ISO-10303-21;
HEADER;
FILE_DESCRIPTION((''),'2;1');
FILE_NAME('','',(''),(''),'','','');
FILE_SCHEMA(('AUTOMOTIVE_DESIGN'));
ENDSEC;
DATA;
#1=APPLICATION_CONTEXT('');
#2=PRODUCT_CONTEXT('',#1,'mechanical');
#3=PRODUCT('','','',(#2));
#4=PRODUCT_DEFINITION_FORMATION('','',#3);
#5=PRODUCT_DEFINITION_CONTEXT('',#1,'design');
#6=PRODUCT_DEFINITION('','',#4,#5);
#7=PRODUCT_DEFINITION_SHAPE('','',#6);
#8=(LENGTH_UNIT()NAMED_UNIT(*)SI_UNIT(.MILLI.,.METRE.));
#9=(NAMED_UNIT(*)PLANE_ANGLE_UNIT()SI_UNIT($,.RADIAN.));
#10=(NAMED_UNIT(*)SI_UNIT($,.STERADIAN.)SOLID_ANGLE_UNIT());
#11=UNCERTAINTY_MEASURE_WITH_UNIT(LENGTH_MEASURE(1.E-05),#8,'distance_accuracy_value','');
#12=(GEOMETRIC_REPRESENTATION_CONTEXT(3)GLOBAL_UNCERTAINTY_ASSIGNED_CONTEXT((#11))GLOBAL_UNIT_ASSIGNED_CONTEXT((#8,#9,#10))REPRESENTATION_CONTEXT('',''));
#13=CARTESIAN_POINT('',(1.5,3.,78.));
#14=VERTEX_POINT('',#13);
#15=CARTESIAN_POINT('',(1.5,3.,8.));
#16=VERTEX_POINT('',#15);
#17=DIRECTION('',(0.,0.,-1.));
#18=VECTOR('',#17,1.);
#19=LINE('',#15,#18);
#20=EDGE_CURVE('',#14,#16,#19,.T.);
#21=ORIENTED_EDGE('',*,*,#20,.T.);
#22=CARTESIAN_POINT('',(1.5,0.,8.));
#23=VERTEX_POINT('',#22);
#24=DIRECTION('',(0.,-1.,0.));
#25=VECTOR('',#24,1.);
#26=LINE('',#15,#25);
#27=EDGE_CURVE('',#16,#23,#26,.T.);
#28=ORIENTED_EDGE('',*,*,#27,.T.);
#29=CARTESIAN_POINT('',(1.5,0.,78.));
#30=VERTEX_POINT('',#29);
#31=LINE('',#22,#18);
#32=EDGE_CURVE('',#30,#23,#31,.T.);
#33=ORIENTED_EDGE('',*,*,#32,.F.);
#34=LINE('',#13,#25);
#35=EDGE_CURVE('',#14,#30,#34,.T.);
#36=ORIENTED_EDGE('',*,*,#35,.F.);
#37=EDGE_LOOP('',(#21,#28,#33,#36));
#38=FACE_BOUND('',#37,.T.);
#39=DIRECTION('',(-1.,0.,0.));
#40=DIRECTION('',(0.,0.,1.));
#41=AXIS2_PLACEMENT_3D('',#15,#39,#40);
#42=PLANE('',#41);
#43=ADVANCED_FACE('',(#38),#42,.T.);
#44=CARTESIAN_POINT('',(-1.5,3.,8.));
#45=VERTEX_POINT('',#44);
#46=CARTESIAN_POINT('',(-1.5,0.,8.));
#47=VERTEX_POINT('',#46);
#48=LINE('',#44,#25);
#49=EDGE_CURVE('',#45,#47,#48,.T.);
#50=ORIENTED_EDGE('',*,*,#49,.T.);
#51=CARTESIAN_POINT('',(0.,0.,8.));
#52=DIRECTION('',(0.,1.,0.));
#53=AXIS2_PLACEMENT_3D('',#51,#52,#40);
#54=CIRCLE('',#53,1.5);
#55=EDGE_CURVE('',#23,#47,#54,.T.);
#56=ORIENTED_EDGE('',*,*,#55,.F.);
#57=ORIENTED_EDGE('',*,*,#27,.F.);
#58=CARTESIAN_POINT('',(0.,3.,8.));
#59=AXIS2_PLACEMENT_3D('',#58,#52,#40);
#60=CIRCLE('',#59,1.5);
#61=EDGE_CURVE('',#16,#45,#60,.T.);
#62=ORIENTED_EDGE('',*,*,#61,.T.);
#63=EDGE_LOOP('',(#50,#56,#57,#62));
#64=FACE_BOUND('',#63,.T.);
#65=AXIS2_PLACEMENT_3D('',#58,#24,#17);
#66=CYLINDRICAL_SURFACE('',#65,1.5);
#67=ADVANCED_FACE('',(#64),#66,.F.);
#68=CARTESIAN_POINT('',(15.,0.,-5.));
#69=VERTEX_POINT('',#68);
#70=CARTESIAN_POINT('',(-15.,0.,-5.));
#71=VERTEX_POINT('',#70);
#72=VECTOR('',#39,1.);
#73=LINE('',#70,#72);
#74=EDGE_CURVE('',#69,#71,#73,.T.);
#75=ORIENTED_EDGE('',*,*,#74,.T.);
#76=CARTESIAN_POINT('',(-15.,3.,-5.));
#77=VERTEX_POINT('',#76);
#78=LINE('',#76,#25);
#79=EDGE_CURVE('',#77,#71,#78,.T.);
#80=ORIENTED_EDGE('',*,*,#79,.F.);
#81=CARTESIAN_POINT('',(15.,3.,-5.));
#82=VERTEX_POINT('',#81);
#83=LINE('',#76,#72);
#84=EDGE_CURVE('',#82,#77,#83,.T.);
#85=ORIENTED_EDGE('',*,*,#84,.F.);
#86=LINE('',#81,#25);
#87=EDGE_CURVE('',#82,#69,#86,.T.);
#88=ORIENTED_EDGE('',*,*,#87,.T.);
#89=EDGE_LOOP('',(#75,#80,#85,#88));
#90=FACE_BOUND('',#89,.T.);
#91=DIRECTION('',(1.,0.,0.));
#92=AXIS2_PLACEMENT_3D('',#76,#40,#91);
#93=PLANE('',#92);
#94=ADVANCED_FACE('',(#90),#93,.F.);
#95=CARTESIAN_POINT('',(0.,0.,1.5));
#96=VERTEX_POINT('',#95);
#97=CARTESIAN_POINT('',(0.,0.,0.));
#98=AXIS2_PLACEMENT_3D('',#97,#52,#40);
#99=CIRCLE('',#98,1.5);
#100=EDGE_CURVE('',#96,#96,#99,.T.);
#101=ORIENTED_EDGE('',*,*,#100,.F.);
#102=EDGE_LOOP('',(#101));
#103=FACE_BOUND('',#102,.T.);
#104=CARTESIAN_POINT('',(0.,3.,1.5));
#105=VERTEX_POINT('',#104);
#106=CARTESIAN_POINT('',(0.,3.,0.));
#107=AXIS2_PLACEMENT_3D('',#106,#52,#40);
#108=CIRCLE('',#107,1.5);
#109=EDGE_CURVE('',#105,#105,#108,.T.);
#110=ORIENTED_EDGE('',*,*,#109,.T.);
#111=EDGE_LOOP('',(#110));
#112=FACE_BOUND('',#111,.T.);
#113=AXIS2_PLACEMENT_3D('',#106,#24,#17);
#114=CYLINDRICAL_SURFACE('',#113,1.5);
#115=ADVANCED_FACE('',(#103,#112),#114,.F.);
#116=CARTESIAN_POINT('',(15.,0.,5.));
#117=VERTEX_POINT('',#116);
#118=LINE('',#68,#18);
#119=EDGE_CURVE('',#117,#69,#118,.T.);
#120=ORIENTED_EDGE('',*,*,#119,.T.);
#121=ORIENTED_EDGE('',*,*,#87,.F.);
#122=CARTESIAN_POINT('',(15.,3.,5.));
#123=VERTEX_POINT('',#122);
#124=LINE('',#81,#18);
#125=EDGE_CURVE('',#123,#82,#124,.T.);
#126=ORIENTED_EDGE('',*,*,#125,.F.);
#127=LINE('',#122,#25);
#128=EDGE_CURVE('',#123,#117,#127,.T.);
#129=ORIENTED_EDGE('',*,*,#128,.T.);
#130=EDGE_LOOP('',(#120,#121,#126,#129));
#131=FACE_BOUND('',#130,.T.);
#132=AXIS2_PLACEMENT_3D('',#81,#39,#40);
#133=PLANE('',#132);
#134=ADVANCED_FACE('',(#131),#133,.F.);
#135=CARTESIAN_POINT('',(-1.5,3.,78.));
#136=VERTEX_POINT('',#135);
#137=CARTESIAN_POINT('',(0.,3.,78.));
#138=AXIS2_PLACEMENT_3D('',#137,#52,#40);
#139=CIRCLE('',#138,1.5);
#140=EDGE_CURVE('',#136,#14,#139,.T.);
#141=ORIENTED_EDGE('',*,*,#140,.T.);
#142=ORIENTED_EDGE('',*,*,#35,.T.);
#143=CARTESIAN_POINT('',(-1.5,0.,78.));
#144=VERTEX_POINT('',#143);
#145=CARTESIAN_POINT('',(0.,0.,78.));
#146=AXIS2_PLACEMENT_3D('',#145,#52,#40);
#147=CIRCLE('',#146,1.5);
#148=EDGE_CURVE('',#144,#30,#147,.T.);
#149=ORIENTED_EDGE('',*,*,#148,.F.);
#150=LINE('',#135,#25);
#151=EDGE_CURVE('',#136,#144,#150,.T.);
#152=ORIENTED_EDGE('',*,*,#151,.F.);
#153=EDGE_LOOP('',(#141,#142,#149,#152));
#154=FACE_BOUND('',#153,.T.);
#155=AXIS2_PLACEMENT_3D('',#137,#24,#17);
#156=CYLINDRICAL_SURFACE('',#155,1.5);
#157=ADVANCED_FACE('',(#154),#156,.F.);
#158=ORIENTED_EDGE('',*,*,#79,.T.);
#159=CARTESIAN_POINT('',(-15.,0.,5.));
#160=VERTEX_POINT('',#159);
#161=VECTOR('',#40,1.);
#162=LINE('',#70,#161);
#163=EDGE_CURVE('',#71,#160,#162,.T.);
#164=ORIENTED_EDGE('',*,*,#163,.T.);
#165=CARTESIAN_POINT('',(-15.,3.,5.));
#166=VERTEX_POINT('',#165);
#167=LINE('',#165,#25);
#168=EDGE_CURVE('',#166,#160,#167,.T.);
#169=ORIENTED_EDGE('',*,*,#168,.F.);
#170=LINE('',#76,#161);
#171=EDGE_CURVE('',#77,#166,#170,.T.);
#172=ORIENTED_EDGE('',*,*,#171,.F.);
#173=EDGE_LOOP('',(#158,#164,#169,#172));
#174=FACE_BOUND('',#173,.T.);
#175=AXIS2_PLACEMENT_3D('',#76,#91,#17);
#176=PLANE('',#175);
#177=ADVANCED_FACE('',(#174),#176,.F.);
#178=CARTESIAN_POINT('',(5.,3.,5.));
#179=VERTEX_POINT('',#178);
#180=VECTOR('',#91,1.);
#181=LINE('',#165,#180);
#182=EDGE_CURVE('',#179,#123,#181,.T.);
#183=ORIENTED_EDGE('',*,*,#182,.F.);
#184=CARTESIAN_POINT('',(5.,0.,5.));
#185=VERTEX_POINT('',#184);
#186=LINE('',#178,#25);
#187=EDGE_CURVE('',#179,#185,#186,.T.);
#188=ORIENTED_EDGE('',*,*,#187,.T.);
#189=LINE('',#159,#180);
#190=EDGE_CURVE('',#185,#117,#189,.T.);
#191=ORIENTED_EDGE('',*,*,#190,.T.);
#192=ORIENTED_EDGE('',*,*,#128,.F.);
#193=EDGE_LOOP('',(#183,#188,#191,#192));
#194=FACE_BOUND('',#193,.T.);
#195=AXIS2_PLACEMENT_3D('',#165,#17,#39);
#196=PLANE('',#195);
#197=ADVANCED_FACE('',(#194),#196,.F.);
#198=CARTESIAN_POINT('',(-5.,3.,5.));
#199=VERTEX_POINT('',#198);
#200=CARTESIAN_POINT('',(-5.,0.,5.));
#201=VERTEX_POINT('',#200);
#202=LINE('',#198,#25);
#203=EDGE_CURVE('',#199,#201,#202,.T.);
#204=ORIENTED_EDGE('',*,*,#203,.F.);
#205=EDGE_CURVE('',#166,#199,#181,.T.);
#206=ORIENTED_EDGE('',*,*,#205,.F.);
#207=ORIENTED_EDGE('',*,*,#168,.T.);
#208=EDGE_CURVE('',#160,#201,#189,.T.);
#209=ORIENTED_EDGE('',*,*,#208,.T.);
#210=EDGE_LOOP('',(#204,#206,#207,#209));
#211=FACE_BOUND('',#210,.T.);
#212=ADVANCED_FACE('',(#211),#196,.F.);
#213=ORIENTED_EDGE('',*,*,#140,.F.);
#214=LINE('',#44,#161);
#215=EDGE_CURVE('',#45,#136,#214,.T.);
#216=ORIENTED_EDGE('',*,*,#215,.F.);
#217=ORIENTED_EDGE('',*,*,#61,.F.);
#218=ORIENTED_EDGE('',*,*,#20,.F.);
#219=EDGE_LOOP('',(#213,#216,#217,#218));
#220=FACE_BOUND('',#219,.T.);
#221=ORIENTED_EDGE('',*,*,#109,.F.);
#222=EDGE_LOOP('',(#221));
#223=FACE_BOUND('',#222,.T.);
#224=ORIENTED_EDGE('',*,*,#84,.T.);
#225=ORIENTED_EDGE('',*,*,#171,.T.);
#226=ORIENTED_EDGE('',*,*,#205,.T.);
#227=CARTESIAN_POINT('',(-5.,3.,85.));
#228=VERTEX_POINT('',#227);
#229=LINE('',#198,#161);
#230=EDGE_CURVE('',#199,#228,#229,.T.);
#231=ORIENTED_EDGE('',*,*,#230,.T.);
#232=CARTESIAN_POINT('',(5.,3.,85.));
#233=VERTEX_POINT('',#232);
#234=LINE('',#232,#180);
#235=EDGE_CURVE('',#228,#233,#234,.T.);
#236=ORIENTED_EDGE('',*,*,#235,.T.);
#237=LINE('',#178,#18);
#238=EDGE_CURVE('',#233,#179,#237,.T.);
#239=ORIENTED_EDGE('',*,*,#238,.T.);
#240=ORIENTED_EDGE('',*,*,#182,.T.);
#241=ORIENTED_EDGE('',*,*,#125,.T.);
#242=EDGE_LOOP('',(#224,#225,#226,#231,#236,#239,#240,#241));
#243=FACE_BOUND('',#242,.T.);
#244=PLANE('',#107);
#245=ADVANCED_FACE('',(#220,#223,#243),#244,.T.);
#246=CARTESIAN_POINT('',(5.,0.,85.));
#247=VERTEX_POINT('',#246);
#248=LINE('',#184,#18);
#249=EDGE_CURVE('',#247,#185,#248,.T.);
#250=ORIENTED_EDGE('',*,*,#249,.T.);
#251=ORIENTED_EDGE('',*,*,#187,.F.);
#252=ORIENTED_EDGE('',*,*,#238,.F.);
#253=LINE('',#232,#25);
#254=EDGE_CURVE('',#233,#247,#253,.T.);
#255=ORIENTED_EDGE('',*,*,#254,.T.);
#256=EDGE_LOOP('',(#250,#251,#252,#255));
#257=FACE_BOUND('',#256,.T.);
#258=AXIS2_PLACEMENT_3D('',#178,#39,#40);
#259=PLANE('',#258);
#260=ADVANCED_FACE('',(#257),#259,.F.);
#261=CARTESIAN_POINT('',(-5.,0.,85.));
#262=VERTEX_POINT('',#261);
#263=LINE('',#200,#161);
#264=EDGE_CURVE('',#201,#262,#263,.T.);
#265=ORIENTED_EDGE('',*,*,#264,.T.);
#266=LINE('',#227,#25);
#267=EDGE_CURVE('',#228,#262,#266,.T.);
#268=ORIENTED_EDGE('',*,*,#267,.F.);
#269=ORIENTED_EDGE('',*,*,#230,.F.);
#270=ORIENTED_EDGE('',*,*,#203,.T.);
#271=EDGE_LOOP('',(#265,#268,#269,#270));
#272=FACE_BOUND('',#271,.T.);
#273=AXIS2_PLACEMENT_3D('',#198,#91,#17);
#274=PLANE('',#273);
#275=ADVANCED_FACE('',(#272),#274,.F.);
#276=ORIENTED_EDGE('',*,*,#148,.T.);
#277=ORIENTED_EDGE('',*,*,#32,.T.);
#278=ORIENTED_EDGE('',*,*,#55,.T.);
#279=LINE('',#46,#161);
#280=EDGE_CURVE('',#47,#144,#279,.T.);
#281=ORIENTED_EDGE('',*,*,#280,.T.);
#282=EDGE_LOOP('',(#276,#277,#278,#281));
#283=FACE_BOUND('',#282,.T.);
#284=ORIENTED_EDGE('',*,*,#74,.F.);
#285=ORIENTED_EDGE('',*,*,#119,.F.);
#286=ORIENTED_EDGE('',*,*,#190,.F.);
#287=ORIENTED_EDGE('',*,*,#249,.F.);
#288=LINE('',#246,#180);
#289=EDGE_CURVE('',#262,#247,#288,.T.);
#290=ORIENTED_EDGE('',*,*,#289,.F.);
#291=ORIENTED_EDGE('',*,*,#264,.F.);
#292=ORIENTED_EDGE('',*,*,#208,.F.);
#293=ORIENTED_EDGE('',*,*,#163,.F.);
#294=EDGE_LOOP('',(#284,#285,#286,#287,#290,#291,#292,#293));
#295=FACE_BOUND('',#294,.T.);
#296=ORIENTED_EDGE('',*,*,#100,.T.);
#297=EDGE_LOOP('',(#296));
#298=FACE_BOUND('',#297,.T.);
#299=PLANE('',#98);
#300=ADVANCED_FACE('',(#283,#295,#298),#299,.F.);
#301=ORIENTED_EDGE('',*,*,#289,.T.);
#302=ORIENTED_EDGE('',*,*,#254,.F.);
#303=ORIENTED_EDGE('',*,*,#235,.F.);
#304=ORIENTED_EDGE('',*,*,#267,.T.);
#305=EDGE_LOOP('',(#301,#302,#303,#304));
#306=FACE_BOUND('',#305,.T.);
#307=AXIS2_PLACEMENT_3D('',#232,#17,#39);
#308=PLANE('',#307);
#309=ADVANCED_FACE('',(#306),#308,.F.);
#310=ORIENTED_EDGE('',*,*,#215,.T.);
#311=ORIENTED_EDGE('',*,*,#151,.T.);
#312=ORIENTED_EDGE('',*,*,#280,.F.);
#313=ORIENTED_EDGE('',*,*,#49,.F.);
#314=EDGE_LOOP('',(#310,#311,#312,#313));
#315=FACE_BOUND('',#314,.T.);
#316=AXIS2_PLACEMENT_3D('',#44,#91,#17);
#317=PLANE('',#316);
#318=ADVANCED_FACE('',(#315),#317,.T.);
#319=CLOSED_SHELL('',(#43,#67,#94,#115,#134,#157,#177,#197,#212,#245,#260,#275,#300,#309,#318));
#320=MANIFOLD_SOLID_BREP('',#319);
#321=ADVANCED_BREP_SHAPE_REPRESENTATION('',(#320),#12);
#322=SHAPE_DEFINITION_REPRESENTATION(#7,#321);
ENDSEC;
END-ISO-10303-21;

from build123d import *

# Parameters (mm, degrees)
SKETCH1_W           = 30
SKETCH1_H           = 10
SKETCH1_R           = 1.5
BOSS_EXTRUDE1_DEPTH = 3
SKETCH2_W           = 10
SKETCH2_H           = 80
BOSS_EXTRUDE2_DEPTH = 3


with BuildPart() as part:
    # Sketch1 → Boss-Extrude1 (new body)
    with BuildSketch(Plane(origin=(0, 0, 0), x_dir=(1, 0, 0), z_dir=(0, 1, 0))):
        Rectangle(SKETCH1_W, SKETCH1_H)
        Circle(SKETCH1_R, mode=Mode.SUBTRACT)
    extrude(amount=BOSS_EXTRUDE1_DEPTH)

    # Sketch2 → Boss-Extrude2 (add)
    with BuildSketch(Plane(origin=(0, 0, 0), x_dir=(1, 0, 0), z_dir=(0, 1, 0))):
        with Locations((0, -45)):
            Rectangle(SKETCH2_W, SKETCH2_H)
        with BuildLine():
            Line((-1.5, -8), (-1.5, -78))
            ThreePointArc((-1.5, -78), (0, -79.5), (1.5, -78))
            Line((1.5, -78), (1.5, -8))
            ThreePointArc((1.5, -8), (0, -6.5), (-1.5, -8))
        make_face(mode=Mode.SUBTRACT)
    extrude(amount=BOSS_EXTRUDE2_DEPTH)


solid = part.part
